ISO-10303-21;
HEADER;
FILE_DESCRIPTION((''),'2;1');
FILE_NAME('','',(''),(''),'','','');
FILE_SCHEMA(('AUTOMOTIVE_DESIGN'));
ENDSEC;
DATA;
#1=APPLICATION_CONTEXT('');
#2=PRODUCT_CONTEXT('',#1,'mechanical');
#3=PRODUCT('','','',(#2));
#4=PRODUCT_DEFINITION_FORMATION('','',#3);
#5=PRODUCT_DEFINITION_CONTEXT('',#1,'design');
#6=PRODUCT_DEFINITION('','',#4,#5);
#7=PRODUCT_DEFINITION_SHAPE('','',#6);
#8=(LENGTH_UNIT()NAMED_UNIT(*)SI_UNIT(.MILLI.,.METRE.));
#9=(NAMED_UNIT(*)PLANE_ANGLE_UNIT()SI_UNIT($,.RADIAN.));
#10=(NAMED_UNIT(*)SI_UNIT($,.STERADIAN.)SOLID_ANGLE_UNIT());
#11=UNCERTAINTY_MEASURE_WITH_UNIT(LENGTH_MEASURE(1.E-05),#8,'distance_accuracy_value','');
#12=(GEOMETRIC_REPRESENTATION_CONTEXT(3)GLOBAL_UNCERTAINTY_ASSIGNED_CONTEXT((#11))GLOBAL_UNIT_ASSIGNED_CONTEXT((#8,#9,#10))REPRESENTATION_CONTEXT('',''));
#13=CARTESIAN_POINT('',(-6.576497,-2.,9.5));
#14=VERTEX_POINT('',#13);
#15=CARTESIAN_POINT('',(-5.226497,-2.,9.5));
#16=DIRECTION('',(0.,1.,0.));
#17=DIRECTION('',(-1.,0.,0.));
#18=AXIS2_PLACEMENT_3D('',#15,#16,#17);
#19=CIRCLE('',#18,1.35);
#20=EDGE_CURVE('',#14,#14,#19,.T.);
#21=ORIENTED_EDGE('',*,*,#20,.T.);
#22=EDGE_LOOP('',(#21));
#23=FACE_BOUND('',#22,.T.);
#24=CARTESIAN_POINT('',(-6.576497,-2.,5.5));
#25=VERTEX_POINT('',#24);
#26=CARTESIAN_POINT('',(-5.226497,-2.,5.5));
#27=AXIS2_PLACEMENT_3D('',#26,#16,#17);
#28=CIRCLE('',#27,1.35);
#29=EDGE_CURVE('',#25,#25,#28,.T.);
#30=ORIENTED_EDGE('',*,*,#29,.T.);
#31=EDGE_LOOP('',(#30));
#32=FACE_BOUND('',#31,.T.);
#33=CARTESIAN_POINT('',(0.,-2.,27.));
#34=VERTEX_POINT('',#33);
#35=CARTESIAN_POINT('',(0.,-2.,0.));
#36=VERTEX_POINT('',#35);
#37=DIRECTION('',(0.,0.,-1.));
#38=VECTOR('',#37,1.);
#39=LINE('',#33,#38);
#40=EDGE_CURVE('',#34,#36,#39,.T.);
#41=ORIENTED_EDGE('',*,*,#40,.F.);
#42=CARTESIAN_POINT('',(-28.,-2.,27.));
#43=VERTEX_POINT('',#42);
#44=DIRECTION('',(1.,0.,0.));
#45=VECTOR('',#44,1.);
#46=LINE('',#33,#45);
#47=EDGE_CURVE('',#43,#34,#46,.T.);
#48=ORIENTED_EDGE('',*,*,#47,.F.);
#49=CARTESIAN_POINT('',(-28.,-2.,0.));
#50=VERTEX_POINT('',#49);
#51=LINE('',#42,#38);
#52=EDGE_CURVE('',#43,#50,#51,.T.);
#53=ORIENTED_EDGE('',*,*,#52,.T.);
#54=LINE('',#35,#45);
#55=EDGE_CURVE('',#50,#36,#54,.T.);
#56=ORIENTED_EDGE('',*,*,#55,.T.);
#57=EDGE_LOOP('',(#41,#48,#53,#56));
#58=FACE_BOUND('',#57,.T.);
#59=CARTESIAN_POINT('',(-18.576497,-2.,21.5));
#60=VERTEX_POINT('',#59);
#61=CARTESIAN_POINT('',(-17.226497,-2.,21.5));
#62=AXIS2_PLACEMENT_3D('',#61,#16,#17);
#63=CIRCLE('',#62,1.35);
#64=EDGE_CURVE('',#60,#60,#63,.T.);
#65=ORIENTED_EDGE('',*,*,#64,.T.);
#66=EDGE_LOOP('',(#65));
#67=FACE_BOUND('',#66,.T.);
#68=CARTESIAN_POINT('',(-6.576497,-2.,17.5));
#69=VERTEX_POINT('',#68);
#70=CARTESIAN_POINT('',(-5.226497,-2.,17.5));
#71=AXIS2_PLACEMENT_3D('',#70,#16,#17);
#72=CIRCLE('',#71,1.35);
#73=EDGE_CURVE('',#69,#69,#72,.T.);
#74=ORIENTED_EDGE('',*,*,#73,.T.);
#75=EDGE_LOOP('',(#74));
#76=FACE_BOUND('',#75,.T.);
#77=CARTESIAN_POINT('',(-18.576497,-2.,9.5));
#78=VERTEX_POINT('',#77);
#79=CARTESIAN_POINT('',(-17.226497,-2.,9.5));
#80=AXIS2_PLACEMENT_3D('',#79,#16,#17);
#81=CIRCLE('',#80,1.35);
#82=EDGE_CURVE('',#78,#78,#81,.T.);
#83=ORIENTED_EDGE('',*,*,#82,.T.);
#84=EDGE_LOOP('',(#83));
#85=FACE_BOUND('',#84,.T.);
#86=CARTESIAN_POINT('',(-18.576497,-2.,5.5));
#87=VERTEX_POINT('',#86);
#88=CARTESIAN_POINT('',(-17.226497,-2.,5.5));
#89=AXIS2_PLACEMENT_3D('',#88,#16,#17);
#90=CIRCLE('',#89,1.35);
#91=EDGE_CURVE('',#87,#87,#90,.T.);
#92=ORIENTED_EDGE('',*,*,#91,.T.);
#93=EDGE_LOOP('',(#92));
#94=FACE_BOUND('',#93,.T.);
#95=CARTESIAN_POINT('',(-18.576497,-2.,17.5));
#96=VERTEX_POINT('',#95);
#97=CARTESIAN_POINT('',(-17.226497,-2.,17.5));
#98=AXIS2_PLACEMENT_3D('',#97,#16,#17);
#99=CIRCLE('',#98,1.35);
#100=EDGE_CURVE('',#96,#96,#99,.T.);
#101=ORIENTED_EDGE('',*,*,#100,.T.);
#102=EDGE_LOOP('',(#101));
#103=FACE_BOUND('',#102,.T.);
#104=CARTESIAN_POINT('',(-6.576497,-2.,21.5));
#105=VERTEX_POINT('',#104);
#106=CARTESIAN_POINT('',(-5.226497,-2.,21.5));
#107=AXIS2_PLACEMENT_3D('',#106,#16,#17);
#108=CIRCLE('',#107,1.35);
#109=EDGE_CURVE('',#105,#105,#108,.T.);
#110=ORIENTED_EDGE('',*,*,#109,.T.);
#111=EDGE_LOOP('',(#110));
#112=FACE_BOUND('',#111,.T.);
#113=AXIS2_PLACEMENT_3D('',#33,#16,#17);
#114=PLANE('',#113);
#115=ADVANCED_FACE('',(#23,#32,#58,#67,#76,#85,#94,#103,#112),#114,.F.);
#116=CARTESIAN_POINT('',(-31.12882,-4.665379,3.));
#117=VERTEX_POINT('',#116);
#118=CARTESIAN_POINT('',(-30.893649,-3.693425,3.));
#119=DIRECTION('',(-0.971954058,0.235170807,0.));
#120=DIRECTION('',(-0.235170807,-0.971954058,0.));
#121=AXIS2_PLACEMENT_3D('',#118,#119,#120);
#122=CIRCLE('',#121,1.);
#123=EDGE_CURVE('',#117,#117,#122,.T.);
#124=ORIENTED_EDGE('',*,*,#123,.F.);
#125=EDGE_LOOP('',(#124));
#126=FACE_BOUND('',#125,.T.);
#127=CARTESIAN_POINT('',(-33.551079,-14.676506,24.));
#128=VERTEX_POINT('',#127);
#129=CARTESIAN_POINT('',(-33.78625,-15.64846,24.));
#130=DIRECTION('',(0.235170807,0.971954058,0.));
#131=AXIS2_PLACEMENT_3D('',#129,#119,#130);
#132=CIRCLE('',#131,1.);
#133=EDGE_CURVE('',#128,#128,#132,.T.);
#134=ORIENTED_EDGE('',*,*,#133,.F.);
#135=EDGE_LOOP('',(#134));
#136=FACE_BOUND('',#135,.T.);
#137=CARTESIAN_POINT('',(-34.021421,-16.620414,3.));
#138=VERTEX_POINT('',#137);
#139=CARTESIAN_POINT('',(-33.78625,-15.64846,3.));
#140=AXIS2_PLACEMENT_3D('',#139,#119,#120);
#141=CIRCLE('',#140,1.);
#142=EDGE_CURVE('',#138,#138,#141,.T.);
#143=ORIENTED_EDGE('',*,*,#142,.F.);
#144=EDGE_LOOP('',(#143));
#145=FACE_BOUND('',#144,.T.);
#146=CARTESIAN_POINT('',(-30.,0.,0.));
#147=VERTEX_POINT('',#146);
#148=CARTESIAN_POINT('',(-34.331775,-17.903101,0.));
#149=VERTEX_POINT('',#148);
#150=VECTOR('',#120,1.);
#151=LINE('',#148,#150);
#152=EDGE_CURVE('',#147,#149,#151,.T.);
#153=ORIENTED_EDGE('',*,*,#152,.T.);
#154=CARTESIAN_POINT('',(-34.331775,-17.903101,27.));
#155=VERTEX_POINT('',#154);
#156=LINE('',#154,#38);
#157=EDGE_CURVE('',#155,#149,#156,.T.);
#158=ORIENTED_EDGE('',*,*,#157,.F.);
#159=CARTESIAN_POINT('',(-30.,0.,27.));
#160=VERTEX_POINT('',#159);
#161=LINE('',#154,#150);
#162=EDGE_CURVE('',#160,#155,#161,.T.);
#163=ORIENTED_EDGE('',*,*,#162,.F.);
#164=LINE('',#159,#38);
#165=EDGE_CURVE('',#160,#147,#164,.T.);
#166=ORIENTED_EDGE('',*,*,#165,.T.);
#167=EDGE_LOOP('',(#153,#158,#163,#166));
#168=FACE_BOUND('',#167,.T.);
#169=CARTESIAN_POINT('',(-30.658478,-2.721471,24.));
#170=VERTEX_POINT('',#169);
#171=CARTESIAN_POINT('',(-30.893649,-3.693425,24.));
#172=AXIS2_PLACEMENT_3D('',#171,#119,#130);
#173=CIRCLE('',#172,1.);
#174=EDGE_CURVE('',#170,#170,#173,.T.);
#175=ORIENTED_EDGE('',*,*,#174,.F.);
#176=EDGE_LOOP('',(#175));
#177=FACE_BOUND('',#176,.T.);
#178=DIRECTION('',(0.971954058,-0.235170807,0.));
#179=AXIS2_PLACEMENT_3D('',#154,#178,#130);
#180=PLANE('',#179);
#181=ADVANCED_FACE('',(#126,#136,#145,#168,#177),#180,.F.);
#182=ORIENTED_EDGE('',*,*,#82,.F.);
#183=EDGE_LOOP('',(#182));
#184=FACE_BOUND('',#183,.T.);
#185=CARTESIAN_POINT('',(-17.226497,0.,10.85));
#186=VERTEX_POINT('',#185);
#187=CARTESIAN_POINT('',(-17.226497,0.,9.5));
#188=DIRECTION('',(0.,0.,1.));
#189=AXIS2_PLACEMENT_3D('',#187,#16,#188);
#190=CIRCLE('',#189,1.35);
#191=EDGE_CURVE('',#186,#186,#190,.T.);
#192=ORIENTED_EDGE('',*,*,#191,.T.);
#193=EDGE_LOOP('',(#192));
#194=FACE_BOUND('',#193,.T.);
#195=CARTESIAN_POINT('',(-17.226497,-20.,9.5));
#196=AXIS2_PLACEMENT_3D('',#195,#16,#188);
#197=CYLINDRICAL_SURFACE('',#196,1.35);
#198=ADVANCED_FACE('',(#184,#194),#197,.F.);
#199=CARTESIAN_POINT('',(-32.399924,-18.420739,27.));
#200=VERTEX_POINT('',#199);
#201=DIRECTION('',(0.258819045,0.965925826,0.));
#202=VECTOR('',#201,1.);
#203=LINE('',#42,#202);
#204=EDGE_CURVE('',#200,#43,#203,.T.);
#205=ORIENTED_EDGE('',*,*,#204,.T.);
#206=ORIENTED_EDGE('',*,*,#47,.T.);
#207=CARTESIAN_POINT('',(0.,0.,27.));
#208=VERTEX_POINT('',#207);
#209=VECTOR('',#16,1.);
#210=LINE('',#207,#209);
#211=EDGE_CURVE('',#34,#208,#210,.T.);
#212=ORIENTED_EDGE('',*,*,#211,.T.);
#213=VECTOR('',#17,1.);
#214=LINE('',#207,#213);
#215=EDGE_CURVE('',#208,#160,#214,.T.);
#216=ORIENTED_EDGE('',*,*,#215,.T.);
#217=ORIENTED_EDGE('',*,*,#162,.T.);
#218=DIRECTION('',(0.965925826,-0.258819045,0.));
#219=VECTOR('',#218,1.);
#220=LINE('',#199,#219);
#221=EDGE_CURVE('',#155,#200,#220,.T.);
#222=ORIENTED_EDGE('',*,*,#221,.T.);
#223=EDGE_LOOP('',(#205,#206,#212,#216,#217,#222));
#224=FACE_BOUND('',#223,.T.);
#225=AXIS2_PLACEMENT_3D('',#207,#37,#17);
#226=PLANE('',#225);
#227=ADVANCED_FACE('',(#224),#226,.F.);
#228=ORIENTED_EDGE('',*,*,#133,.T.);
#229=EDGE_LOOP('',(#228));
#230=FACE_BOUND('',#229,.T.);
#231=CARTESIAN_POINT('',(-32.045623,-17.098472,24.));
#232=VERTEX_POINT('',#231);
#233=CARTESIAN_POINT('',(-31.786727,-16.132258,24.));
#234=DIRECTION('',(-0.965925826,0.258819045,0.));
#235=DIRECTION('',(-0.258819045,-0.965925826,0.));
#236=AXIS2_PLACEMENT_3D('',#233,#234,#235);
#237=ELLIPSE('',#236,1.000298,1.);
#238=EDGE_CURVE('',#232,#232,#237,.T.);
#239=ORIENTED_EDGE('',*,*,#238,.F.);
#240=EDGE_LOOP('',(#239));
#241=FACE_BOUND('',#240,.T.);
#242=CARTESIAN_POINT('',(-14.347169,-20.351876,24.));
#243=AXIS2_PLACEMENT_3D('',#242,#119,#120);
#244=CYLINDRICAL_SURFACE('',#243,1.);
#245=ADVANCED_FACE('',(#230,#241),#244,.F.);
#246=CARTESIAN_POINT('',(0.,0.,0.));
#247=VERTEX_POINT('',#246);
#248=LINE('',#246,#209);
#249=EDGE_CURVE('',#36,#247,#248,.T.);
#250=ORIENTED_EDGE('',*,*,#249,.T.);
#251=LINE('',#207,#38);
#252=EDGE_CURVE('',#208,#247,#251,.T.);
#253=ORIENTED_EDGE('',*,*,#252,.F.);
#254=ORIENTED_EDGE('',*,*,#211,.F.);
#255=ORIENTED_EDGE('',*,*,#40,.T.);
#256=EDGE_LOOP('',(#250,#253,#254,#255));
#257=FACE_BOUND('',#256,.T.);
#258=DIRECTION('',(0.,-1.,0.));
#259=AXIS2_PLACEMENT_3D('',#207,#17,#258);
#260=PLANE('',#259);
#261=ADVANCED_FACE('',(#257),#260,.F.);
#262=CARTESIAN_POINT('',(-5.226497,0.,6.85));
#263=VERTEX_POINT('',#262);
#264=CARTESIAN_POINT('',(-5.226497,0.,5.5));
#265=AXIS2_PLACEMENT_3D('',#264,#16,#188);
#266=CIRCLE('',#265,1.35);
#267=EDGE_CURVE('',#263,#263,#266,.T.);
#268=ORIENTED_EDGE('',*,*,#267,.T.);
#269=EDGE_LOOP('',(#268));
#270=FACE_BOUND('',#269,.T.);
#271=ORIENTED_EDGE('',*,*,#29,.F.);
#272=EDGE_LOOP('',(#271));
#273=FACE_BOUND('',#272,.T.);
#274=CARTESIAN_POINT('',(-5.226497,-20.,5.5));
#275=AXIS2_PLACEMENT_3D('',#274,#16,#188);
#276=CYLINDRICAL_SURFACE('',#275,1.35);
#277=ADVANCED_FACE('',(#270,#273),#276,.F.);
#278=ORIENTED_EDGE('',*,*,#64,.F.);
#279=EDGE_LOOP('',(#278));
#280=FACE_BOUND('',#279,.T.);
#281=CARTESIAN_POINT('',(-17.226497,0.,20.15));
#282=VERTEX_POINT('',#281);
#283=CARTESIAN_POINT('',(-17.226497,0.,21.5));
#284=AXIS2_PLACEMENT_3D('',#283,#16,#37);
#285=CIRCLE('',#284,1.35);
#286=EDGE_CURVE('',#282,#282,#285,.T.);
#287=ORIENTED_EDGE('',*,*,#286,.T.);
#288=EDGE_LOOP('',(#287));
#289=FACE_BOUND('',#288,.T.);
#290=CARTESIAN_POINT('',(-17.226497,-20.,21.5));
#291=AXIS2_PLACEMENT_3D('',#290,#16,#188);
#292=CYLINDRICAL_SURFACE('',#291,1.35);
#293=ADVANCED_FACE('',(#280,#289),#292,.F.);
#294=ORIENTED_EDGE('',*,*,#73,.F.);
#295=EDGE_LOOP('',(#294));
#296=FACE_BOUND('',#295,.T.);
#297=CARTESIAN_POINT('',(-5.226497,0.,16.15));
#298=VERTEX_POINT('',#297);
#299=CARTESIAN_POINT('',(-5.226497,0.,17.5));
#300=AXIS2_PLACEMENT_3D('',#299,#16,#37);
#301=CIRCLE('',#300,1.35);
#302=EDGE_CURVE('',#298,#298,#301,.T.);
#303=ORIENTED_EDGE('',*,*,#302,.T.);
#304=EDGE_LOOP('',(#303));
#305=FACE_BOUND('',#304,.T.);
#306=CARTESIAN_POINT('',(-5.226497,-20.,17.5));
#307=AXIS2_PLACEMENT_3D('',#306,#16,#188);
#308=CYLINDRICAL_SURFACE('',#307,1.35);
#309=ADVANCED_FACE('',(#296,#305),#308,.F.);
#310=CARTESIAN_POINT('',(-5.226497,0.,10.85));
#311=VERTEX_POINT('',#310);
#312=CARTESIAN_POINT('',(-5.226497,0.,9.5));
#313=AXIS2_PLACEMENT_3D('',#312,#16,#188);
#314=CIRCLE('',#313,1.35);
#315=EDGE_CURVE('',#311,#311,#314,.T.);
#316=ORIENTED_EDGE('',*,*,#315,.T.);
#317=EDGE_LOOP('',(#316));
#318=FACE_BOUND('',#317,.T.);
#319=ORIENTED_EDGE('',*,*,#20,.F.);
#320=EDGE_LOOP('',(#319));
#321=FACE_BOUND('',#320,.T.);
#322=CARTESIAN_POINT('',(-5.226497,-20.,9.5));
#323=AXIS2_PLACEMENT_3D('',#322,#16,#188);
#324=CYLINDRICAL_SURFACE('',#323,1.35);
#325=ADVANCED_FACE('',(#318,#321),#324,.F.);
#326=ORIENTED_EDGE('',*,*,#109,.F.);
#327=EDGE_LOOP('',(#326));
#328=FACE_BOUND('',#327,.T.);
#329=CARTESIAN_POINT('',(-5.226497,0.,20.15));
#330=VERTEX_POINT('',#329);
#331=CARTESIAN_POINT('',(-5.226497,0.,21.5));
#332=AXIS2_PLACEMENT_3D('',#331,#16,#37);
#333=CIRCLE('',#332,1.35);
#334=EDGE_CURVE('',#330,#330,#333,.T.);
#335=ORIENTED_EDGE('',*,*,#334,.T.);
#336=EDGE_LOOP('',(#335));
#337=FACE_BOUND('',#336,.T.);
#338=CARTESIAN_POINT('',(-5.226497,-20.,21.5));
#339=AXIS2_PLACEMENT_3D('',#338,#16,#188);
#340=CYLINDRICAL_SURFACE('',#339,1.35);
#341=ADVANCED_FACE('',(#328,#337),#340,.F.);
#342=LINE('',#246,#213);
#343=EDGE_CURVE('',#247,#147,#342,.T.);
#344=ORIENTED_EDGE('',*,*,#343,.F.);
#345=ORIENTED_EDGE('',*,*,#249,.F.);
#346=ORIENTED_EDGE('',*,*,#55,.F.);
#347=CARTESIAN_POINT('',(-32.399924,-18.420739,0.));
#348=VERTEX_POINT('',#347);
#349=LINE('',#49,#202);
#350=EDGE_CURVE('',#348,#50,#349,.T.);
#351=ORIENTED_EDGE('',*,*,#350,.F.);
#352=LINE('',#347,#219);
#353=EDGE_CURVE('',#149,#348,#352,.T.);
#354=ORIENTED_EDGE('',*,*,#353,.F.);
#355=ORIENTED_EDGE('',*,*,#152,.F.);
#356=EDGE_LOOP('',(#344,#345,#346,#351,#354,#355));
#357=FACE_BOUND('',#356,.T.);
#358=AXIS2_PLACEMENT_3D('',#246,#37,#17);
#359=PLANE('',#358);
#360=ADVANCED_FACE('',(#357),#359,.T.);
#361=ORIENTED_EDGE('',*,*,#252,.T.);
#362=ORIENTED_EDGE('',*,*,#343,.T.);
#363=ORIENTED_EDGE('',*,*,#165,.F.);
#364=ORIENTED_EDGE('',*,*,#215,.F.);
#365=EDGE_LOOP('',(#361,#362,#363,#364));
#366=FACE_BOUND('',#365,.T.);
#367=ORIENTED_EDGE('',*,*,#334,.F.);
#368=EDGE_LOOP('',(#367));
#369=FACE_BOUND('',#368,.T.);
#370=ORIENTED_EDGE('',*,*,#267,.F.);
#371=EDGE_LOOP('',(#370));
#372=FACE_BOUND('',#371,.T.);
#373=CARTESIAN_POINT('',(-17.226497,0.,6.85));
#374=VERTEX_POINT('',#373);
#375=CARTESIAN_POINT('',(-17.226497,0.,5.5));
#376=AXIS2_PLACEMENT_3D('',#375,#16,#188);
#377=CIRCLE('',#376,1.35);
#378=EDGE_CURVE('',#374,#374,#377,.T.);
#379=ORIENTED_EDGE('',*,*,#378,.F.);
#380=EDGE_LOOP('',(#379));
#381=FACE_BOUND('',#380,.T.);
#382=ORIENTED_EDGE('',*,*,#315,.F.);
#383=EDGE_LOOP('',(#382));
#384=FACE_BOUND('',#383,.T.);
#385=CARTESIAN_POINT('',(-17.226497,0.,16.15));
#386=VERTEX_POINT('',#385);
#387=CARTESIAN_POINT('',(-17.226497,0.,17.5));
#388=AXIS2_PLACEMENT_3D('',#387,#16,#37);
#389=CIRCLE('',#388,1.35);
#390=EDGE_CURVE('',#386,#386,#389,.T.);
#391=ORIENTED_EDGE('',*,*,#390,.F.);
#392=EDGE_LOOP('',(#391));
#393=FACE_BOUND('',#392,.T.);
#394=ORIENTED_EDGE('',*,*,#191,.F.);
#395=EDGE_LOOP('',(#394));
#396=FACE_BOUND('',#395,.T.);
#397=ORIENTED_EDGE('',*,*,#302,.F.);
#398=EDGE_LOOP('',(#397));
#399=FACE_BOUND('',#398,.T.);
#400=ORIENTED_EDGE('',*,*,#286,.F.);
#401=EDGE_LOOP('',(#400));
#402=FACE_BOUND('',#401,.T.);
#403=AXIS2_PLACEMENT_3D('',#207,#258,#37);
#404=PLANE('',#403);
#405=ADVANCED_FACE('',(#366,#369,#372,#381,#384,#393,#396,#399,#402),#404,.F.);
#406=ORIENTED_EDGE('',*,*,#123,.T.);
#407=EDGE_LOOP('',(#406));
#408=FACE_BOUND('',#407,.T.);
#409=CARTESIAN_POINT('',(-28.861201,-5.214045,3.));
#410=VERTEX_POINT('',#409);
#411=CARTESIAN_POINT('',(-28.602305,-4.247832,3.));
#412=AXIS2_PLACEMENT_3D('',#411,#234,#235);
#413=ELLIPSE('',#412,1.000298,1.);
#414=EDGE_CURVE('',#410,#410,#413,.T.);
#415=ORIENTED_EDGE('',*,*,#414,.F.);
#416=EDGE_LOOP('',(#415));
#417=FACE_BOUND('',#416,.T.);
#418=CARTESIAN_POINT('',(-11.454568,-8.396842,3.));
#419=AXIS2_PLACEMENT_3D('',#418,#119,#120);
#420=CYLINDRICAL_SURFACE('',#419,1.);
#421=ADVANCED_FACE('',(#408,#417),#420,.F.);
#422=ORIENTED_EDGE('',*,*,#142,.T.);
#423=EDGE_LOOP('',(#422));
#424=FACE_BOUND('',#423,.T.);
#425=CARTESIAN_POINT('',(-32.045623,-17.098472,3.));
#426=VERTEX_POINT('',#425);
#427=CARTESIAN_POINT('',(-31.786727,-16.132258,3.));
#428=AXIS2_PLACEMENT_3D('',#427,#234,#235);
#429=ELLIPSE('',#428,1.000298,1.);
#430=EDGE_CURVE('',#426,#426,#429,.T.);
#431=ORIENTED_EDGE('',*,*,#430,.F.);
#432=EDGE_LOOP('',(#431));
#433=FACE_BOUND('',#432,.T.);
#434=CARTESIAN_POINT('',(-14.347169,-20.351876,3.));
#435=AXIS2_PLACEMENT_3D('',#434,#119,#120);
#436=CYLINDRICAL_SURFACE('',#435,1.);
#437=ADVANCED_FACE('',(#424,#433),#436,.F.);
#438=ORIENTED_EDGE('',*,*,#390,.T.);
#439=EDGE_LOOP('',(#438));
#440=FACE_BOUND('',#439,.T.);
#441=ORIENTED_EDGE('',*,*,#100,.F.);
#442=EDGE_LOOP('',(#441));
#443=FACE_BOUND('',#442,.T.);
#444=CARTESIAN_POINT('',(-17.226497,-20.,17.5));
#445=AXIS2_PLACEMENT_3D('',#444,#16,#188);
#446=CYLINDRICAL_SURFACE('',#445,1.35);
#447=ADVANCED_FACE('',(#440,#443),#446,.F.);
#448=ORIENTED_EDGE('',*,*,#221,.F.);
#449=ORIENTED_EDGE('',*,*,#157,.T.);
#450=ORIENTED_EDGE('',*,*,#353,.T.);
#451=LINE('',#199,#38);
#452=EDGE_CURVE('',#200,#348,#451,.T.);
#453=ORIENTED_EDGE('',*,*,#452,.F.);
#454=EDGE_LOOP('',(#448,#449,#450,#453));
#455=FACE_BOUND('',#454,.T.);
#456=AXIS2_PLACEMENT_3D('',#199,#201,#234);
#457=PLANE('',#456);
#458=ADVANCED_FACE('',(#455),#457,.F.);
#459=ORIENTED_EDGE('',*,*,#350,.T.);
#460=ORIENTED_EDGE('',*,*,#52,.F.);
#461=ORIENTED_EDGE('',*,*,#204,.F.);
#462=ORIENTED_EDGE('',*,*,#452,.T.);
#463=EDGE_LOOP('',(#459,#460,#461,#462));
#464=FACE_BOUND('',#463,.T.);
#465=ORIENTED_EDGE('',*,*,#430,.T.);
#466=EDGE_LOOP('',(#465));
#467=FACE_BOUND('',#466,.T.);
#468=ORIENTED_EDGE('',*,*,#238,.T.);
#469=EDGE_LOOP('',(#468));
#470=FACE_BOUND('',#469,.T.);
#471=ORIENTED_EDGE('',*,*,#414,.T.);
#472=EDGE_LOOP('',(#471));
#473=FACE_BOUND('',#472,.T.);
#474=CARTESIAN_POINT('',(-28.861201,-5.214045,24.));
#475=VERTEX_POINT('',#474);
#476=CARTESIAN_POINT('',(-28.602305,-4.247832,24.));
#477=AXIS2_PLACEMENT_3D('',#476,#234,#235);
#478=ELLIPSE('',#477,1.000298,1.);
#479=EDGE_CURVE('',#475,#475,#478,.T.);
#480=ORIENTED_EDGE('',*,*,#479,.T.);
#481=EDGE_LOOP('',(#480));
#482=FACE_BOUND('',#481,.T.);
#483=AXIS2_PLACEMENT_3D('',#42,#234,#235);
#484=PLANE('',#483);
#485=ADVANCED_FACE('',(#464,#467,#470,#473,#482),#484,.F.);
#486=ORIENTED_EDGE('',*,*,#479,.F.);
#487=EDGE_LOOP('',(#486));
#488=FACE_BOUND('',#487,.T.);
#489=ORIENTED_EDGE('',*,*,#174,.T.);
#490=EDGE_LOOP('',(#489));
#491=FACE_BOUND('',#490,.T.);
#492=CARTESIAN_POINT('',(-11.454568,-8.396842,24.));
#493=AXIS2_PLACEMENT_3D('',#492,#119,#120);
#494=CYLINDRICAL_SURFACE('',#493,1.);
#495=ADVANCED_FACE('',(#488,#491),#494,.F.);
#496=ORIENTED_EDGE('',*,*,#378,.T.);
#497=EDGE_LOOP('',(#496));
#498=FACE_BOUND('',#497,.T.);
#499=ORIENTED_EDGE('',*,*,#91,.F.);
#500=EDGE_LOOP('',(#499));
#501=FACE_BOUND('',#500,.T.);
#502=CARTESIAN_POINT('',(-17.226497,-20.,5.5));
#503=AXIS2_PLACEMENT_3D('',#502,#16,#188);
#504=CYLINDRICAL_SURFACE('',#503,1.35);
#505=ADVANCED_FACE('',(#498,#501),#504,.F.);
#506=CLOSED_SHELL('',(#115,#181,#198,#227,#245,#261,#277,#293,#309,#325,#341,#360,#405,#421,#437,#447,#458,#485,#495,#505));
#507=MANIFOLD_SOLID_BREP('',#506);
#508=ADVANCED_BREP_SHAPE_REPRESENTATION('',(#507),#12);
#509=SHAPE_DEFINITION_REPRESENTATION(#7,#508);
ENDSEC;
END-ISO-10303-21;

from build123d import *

# Parameters (mm, degrees)
BOSS_EXTRUDE3_DEPTH = 27
SKETCH7_R           = 1.35
CUT_EXTRUDE2_DEPTH  = 20
SKETCH8_R           = 1
CUT_EXTRUDE3_DEPTH  = 20


with BuildPart() as part:
    # Sketch5 → Boss-Extrude3 (new body)
    with BuildSketch(Plane.XY):
        Polygon((0, 0), (-30, 0), (-34.331775419, -17.903100957), (-32.399923767, -18.420739047), (-28, -2), (0, -2), align=None)
    extrude(amount=BOSS_EXTRUDE3_DEPTH)

    # Sketch7 → Cut-Extrude2 (cut)
    with BuildSketch(Plane(origin=(0, 0, 0), x_dir=(1, 0, 0), z_dir=(0, 1, 0))):
        with Locations(Location((-17.22649731, -5.5, 0), (0, 0, 270))):
            Circle(SKETCH7_R)
        with Locations(Location((-17.22649731, -9.5, 0), (0, 0, 270))):
            Circle(SKETCH7_R)
        with Locations(Location((-5.22649731, -5.5, 0), (0, 0, 270))):
            Circle(SKETCH7_R)
        with Locations(Location((-5.22649731, -9.5, 0), (0, 0, 270))):
            Circle(SKETCH7_R)
        with Locations(Location((-5.22649731, -17.5, 0), (0, 0, 180))):
            Circle(SKETCH7_R)
        with Locations(Location((-5.22649731, -21.5, 0), (0, 0, 180))):
            Circle(SKETCH7_R)
        with Locations(Location((-17.22649731, -17.5, 0), (0, 0, 180))):
            Circle(SKETCH7_R)
        with Locations(Location((-17.22649731, -21.5, 0), (0, 0, 180))):
            Circle(SKETCH7_R)
    extrude(amount=-CUT_EXTRUDE2_DEPTH, mode=Mode.SUBTRACT)

    # Sketch8 → Cut-Extrude3 (cut)
    with BuildSketch(Plane(origin=(-28.340840747, 6.857256606, 0), x_dir=(0, 0, 1), z_dir=(-0.9719540583604048, 0.23517080693984682, 0))):
        with Locations(Location((3, -10.855124208, 0), (0, 0, 270))):
            Circle(SKETCH8_R)
        with Locations(Location((3, -23.155124208, 0), (0, 0, 270))):
            Circle(SKETCH8_R)
        with Locations(Location((24, -23.155124208, 0), (0, 0, 270))):
            Circle(SKETCH8_R)
        with Locations(Location((24, -10.855124208, 0), (0, 0, 270))):
            Circle(SKETCH8_R)
    extrude(amount=-CUT_EXTRUDE3_DEPTH, mode=Mode.SUBTRACT)


solid = part.part
